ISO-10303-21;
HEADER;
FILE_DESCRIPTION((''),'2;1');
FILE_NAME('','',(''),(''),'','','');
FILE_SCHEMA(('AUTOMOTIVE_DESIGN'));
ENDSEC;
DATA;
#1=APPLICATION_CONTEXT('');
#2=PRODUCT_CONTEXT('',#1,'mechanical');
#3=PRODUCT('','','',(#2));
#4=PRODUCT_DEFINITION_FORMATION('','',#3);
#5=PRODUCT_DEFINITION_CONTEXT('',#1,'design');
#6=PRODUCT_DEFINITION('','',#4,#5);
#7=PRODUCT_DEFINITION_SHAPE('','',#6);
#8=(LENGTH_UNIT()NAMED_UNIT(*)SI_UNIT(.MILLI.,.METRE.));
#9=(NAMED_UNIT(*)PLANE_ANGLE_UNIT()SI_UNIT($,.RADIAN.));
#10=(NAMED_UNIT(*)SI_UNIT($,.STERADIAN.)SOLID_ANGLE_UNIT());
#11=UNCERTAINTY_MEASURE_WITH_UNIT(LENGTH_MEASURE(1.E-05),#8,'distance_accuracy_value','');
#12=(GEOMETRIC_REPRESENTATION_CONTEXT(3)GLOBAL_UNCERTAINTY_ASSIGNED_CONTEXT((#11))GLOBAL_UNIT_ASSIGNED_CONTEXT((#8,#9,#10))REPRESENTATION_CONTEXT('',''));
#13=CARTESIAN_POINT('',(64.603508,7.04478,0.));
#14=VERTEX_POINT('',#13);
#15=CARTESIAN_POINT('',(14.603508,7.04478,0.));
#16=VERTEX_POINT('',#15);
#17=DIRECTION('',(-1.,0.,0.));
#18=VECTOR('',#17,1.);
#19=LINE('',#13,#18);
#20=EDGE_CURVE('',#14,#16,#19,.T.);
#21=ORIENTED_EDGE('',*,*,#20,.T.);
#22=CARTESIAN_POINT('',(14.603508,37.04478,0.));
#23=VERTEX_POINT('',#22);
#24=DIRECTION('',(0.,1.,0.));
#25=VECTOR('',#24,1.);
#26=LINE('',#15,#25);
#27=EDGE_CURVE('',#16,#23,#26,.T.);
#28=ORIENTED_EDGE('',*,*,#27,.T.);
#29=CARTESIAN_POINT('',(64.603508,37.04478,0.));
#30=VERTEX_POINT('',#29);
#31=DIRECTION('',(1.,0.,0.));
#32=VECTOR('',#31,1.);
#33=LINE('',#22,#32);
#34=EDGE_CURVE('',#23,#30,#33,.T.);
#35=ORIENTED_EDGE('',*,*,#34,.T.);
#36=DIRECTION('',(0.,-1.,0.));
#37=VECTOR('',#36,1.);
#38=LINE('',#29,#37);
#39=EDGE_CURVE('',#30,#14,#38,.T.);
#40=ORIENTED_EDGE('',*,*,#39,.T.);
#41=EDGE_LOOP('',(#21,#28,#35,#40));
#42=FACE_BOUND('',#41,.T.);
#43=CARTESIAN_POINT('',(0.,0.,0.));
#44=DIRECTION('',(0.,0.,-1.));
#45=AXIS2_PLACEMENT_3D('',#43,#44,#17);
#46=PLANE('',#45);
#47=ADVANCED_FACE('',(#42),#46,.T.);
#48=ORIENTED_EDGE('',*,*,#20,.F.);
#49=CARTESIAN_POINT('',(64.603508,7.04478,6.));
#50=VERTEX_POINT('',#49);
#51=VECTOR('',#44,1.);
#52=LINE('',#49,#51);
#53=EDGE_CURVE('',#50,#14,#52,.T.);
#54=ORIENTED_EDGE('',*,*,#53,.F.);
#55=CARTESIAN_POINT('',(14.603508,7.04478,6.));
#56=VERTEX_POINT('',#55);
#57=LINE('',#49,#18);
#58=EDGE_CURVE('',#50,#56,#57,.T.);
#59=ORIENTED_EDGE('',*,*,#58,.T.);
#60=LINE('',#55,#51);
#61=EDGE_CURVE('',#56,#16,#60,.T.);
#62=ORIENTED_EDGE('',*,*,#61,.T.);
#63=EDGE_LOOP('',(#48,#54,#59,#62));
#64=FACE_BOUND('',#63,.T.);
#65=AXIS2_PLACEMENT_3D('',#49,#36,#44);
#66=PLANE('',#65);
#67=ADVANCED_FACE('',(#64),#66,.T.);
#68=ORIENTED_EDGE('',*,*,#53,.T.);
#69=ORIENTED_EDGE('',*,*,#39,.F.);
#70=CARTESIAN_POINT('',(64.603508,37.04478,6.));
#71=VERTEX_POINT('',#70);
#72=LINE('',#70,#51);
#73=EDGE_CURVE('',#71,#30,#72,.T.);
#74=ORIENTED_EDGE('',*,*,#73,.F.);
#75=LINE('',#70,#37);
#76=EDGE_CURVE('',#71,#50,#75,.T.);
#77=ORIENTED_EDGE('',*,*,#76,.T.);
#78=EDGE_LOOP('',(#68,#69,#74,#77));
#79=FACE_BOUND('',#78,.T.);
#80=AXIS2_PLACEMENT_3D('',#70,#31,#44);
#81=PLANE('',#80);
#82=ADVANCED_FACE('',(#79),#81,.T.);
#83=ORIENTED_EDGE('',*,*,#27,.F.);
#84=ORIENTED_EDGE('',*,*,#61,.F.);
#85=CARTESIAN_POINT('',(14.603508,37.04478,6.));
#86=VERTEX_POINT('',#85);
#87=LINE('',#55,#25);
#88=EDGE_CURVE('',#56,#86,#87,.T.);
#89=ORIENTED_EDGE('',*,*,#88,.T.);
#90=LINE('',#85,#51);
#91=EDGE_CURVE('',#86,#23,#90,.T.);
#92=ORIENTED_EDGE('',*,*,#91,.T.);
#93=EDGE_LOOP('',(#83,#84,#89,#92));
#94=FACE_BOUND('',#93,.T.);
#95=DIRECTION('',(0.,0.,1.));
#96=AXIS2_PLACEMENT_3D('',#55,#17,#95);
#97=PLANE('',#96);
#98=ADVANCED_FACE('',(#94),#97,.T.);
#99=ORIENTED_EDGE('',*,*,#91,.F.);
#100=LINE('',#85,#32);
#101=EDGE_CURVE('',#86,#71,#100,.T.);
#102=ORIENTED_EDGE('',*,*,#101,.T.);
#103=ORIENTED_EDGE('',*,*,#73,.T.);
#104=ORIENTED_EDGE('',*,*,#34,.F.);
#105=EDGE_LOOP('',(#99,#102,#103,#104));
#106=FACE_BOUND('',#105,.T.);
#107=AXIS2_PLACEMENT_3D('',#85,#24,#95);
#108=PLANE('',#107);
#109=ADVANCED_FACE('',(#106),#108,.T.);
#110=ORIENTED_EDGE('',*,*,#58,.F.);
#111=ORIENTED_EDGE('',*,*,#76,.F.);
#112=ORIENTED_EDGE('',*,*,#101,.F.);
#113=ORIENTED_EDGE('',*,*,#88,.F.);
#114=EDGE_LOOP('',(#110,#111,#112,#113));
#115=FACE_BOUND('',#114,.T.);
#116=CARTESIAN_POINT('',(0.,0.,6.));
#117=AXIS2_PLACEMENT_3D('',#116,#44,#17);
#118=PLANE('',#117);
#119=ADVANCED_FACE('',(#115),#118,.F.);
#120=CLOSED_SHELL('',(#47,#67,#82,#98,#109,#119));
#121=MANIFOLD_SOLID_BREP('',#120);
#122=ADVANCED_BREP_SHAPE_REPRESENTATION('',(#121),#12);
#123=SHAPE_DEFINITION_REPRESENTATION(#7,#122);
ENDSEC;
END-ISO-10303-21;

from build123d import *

# Parameters (mm, degrees)
MODEL_W             = 50
MODEL_H             = 30
BOSS_EXTRUDE1_DEPTH = 6


with BuildPart() as part:
    # Model → Boss-Extrude1 (new body)
    with BuildSketch(Plane.XY):
        with Locations((39.603507536, 22.044780119)):
            Rectangle(MODEL_W, MODEL_H)
    extrude(amount=BOSS_EXTRUDE1_DEPTH)


solid = part.part
